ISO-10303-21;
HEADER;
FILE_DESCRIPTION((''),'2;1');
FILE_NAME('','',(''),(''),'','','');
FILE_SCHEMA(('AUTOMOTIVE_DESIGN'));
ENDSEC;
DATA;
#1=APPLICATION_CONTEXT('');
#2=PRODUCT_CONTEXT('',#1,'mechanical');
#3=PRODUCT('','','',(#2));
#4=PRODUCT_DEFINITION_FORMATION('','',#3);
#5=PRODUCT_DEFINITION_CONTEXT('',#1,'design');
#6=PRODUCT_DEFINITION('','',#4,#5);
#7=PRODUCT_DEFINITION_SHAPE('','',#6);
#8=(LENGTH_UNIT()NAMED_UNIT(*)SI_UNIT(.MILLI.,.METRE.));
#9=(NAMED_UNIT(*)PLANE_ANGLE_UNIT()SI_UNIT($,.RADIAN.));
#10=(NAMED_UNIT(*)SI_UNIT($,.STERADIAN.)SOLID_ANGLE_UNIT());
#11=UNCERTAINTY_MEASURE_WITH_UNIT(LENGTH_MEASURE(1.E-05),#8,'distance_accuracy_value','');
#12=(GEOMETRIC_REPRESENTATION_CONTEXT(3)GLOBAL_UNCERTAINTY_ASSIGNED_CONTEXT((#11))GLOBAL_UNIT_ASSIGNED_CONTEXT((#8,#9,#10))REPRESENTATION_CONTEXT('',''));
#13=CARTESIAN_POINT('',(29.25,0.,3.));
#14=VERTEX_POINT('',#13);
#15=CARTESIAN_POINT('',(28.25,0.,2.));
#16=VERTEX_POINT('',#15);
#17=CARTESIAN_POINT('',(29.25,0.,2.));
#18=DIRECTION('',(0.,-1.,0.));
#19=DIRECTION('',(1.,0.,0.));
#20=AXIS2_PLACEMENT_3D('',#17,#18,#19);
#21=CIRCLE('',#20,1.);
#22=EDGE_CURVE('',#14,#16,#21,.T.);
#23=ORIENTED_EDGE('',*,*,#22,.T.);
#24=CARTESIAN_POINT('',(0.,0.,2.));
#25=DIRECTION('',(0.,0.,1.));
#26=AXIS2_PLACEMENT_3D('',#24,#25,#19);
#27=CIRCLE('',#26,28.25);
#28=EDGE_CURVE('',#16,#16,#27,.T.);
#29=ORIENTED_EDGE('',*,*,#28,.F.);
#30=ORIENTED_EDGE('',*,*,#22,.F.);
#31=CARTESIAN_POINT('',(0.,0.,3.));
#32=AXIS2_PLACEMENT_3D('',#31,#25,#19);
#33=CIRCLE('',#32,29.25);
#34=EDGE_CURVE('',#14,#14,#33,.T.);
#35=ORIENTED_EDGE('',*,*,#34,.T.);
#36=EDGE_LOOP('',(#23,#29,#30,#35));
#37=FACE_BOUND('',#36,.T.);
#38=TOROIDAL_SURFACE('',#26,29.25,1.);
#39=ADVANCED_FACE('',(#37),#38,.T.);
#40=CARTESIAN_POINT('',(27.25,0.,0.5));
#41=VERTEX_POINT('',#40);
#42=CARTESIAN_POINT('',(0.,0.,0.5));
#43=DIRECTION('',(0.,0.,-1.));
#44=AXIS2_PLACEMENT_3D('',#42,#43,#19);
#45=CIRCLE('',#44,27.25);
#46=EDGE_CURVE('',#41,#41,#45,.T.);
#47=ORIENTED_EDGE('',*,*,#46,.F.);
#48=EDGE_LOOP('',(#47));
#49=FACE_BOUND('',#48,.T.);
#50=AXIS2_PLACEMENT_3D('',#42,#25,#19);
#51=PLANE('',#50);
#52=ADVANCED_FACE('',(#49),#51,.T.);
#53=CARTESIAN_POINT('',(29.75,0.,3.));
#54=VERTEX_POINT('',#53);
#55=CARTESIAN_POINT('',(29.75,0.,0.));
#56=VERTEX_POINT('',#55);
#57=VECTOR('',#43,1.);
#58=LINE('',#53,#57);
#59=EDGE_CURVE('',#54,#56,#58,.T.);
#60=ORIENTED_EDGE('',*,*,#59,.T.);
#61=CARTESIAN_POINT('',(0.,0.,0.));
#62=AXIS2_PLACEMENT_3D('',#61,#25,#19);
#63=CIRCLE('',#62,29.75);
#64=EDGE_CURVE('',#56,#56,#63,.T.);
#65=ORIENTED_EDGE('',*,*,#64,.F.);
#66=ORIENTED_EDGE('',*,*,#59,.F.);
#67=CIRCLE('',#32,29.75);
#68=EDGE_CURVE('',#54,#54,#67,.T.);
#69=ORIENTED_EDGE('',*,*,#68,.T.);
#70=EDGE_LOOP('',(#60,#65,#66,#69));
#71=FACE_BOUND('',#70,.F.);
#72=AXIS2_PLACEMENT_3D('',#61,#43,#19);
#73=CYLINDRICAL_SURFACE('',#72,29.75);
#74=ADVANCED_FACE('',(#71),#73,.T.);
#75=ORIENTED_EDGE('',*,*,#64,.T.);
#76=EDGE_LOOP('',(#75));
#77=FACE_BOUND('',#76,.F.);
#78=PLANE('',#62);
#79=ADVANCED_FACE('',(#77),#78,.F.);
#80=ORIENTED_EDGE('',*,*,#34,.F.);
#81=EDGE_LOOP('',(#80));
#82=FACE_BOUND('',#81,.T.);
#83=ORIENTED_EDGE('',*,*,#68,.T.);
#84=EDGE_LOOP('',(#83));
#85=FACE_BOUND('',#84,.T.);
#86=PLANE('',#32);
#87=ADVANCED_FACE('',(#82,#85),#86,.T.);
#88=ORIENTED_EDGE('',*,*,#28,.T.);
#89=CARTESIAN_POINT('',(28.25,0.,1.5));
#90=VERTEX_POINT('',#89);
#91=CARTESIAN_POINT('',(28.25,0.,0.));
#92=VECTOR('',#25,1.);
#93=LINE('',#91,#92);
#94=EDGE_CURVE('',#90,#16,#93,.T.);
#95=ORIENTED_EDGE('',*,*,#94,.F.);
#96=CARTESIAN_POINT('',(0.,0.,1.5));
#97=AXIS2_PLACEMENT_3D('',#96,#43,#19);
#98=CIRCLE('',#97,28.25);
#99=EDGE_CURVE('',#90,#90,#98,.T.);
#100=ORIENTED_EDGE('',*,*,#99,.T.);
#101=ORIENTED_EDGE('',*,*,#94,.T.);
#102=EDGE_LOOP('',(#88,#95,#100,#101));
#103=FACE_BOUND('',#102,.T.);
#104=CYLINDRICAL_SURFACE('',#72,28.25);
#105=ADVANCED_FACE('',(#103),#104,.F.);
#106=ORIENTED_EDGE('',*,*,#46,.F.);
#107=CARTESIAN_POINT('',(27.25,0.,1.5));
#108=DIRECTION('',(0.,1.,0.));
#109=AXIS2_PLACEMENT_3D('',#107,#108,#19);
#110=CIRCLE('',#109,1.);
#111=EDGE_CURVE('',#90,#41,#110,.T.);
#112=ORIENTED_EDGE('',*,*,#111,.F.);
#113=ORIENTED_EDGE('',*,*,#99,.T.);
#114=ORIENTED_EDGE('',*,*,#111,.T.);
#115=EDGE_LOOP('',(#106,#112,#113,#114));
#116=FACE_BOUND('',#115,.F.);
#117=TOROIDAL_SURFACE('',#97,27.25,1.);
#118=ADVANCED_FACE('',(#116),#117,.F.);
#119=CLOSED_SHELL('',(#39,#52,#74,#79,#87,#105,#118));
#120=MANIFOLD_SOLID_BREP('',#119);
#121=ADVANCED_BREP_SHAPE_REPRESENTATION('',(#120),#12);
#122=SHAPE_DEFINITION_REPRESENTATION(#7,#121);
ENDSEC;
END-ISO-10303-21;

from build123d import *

# Parameters (mm, degrees)
F0_R     = 29.75
F0_R_2   = 28.25
F1_DEPTH = 3
F2_DEPTH = 0.5
F3_R     = 1


with BuildPart() as f1:
    # F0 (on Top) → F1 (new body)
    with BuildSketch(Plane.XY):
        Circle(F0_R)
        Circle(F0_R_2, mode=Mode.SUBTRACT)
    extrude(amount=F1_DEPTH)

    # F0 (on Top) → F2 (join)
    with BuildSketch(Plane.XY):
        Circle(F0_R)
        Circle(F0_R_2, mode=Mode.SUBTRACT)
        Circle(F0_R_2)
    extrude(amount=F2_DEPTH)

    # F3
    f3_edges = [f1.edges().sort_by_distance(p)[0] for p in [
        (-28.25, 0, 3),
        (-28.25, 0, 0.5),
    ]]
    fillet(f3_edges, radius=F3_R)


solid = f1.part
